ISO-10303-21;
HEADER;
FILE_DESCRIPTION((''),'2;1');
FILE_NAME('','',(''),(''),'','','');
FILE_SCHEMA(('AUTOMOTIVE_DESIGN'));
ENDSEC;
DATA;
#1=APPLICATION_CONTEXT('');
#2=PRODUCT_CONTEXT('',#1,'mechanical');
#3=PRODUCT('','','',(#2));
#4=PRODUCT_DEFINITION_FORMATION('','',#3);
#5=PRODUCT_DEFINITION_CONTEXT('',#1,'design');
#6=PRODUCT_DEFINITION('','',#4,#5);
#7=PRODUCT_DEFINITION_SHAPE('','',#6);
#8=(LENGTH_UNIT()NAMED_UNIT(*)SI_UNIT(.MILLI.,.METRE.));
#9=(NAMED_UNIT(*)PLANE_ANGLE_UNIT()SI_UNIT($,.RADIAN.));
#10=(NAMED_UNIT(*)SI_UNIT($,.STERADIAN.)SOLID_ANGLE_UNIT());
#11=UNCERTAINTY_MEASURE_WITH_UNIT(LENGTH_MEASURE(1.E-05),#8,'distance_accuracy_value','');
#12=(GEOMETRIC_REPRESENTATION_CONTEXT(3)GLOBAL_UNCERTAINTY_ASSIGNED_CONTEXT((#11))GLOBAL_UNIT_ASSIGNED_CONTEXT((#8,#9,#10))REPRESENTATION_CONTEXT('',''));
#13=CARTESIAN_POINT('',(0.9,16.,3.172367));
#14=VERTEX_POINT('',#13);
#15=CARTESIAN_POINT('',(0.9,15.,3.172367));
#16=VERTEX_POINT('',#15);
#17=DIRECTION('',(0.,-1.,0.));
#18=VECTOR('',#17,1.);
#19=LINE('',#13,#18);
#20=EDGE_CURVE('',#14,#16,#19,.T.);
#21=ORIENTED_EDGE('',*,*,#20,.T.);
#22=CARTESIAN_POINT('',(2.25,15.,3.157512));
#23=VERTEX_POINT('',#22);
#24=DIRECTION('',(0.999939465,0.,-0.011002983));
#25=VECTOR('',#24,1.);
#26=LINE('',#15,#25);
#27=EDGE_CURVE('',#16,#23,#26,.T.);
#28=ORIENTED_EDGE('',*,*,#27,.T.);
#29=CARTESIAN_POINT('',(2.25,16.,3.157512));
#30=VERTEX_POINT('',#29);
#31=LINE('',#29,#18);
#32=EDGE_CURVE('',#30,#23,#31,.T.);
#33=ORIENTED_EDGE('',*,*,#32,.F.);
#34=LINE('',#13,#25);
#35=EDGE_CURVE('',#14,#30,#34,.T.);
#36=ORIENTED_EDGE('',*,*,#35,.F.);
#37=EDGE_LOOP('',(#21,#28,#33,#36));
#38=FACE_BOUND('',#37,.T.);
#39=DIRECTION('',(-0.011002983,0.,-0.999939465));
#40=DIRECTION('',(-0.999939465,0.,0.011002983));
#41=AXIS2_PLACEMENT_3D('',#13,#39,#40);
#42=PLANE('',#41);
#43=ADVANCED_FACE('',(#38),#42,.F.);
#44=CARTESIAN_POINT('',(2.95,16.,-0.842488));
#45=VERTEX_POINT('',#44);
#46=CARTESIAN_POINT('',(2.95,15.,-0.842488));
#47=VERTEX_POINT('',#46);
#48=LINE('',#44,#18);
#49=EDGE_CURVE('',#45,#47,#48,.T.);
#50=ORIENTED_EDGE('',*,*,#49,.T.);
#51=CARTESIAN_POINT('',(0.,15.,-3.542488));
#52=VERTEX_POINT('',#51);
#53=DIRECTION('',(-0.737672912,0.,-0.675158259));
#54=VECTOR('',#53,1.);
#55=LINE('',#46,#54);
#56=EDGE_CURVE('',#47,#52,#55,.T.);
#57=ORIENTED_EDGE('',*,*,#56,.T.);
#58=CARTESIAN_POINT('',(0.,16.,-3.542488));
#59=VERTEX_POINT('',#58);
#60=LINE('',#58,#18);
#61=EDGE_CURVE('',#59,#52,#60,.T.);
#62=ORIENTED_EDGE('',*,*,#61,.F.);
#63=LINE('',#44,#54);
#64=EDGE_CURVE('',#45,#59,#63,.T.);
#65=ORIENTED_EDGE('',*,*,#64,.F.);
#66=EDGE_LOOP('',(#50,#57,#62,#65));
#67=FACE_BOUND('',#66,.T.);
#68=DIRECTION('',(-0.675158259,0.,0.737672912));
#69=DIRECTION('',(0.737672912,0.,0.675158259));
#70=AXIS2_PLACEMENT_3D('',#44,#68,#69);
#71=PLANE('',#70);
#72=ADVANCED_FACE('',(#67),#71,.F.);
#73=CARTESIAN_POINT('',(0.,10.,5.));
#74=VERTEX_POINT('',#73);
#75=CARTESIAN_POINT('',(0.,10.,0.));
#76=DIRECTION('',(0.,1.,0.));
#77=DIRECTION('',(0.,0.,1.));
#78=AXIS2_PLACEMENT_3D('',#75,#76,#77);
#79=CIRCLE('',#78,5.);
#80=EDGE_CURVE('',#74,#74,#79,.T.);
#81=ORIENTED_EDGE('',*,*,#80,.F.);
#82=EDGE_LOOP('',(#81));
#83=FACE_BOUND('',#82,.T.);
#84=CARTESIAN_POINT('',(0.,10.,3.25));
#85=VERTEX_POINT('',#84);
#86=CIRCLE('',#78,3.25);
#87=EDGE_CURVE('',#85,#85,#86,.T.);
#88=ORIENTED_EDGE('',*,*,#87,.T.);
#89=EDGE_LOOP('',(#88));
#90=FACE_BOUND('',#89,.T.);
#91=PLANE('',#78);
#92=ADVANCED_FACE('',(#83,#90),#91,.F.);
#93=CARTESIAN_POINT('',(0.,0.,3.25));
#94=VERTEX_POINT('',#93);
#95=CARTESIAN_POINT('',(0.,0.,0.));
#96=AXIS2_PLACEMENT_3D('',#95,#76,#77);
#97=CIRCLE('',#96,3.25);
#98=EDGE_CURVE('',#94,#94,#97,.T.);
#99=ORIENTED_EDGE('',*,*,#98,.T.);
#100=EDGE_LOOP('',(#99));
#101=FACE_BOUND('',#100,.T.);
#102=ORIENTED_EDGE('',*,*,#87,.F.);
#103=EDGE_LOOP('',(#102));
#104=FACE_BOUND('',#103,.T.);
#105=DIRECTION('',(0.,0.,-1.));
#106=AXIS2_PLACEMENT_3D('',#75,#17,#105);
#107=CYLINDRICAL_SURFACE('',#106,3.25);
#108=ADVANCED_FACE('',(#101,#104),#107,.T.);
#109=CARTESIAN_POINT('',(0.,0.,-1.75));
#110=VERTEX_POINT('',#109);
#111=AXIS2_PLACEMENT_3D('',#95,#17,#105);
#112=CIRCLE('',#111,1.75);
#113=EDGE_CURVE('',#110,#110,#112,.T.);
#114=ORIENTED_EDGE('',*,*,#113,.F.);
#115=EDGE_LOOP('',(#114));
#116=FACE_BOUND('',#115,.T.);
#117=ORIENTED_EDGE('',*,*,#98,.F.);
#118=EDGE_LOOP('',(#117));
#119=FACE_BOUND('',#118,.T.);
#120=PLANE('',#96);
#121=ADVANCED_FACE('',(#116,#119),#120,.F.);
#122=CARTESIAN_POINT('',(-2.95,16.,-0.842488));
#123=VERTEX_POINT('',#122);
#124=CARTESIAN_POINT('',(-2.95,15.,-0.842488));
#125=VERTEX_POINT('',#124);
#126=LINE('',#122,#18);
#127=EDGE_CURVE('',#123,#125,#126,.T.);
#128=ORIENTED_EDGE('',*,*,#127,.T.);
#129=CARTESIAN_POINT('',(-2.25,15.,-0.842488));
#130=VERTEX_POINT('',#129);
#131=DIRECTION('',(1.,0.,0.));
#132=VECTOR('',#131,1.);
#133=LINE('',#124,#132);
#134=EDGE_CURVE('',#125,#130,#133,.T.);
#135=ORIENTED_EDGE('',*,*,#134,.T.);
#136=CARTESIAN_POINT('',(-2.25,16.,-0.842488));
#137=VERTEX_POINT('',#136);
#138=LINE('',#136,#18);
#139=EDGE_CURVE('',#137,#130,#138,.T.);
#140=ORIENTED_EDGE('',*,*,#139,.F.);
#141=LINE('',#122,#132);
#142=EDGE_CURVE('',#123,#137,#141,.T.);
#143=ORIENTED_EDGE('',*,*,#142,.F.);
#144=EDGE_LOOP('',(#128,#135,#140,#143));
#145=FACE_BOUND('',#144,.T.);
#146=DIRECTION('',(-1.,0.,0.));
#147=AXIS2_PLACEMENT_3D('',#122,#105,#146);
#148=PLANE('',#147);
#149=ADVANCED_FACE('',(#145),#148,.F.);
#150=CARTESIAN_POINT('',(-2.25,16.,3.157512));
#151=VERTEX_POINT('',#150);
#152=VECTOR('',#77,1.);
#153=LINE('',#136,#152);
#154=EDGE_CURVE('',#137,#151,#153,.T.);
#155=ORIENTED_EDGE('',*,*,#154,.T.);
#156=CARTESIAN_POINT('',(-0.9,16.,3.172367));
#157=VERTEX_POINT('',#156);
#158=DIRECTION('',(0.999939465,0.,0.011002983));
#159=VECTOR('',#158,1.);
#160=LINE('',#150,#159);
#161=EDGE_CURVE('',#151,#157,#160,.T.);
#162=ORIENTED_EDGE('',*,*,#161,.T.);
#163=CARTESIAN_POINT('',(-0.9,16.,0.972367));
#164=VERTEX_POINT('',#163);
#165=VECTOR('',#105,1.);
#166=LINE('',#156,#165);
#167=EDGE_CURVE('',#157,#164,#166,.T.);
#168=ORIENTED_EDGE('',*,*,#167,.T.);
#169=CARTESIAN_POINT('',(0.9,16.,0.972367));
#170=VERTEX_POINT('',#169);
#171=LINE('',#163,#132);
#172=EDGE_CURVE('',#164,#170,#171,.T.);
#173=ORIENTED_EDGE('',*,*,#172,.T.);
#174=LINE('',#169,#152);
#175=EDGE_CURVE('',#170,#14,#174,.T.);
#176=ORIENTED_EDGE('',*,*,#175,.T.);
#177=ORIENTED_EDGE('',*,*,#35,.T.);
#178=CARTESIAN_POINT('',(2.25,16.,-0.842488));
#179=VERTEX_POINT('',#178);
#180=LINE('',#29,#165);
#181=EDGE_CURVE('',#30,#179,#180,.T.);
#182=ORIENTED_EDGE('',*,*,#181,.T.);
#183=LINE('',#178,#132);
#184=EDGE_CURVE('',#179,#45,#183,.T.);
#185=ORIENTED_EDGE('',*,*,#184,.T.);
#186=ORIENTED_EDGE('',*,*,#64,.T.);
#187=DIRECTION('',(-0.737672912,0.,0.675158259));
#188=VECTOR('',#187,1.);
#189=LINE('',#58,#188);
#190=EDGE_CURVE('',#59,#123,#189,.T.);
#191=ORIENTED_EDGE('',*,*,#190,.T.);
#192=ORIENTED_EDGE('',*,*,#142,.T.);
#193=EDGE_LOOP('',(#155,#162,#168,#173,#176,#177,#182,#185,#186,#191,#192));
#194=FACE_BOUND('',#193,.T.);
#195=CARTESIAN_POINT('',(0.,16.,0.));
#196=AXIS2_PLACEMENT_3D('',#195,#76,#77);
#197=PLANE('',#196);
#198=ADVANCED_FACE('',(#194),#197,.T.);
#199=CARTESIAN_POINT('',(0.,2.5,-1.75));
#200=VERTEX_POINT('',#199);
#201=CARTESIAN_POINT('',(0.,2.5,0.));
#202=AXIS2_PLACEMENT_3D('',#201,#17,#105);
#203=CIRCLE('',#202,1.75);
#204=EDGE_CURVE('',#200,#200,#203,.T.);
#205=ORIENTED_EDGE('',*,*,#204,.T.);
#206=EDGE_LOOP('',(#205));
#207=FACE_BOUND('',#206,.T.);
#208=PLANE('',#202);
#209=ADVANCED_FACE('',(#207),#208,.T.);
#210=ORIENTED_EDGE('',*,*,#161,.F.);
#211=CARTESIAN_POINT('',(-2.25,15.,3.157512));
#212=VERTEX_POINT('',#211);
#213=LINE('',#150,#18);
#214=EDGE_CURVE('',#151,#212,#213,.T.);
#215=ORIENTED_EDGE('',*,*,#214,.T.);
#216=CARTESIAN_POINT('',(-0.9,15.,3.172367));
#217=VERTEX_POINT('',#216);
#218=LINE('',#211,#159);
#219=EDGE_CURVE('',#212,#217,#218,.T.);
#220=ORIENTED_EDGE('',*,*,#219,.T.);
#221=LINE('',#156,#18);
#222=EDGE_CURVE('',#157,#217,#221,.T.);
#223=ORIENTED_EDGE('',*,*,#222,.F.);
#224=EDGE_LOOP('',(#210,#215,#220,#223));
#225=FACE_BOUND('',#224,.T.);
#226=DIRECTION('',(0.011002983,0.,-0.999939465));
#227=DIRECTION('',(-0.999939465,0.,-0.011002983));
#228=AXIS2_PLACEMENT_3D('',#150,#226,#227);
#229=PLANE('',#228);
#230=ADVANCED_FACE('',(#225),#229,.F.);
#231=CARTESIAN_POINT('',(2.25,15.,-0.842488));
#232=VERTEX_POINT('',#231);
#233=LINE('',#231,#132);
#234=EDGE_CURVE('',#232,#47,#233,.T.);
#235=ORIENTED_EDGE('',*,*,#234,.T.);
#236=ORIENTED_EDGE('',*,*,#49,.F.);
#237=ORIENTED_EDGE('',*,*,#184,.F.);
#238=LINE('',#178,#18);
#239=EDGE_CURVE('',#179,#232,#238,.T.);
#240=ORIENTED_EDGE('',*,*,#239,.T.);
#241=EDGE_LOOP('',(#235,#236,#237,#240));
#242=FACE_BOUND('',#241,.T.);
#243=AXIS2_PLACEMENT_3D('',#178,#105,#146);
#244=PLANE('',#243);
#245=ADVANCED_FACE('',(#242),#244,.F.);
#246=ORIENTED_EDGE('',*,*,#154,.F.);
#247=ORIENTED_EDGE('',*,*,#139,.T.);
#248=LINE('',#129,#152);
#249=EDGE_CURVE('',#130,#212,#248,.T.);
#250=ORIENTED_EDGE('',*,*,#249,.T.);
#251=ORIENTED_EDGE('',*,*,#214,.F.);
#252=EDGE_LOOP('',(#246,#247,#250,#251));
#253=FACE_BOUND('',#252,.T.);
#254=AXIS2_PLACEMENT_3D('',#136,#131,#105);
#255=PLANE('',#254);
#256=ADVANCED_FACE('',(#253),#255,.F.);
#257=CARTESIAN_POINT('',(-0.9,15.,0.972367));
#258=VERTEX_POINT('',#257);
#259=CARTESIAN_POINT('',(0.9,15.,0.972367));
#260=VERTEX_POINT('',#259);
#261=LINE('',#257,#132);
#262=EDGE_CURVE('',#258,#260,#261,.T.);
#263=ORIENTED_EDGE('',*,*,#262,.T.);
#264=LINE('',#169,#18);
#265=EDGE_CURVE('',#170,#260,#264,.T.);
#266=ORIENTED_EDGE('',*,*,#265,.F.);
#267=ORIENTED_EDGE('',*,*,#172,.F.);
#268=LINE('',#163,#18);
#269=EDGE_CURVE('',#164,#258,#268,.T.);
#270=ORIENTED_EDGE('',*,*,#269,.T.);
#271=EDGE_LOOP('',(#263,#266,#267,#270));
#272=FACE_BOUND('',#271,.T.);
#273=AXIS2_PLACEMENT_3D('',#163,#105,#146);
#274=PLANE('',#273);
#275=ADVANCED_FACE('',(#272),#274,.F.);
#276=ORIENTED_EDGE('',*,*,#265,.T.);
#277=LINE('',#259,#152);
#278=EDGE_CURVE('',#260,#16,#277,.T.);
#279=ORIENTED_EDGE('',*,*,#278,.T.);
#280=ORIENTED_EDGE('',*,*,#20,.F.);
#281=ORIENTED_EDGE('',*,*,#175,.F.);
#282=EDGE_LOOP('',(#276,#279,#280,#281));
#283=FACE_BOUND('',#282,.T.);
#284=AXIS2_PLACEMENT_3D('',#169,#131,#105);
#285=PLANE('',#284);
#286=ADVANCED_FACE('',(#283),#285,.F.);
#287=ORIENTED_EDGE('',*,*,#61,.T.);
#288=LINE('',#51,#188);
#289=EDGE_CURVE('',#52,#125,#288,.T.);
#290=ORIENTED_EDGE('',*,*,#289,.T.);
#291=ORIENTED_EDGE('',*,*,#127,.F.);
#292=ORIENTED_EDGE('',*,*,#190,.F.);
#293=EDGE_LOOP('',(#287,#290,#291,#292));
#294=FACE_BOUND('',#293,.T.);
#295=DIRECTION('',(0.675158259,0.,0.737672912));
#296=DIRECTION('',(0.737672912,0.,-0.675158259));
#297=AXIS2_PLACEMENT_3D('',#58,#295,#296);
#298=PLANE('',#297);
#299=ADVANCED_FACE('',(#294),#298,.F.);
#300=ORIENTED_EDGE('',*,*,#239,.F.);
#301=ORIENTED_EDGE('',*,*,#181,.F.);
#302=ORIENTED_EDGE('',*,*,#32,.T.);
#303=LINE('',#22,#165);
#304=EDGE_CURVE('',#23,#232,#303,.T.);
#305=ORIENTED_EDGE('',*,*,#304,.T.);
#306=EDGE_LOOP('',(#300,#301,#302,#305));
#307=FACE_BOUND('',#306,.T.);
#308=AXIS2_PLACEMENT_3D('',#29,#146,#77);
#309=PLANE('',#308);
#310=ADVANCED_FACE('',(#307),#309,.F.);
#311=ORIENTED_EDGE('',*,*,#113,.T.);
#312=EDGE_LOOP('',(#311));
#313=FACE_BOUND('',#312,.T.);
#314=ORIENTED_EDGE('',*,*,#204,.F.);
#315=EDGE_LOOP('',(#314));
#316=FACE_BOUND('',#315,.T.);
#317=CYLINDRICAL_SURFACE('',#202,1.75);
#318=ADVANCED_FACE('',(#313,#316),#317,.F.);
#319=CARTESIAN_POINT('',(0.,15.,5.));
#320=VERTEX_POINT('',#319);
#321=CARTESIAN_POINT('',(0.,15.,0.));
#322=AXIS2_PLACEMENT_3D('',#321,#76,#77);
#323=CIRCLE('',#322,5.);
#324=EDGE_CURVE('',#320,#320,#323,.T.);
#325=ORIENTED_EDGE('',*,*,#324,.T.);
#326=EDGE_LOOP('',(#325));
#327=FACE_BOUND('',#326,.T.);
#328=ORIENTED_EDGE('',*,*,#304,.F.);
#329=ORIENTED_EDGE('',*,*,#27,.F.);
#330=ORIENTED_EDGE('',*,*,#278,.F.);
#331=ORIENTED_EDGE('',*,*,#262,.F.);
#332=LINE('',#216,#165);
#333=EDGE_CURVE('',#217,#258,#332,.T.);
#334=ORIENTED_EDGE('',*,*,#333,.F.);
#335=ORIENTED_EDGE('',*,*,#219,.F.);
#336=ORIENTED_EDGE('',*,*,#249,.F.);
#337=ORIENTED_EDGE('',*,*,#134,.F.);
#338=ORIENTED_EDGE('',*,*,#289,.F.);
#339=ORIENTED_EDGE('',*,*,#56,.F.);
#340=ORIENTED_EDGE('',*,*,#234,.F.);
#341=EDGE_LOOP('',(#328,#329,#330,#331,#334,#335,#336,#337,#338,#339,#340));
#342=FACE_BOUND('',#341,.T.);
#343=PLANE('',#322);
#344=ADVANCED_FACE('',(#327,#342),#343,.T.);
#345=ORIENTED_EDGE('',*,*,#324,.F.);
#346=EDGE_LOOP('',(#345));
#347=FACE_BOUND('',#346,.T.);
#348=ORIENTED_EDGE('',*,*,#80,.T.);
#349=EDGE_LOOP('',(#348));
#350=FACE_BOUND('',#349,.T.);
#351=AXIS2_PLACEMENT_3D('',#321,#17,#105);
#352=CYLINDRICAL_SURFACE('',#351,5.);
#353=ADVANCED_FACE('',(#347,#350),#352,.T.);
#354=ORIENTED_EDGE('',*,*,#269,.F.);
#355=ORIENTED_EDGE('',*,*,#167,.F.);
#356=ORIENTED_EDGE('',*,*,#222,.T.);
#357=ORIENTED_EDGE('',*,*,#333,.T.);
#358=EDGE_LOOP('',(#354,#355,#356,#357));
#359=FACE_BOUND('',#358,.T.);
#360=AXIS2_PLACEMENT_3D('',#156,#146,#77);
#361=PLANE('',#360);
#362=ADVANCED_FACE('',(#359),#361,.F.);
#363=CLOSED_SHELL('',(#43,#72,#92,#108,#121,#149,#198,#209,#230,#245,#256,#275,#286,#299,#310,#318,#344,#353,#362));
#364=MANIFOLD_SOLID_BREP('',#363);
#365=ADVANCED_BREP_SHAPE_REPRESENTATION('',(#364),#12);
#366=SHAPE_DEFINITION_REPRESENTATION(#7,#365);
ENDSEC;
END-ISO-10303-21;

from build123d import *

# Parameters (mm, degrees)
SKETCH1_R           = 3.25
BOSS_EXTRUDE1_DEPTH = 10
SKETCH2_R           = 1.75
CUT_EXTRUDE1_DEPTH  = 2.5
SKETCH6_R           = 5
BOSS_EXTRUDE2_DEPTH = 5
BOSS_EXTRUDE3_DEPTH = 1


with BuildPart() as part:
    # Sketch1 → Boss-Extrude1 (new body)
    with BuildSketch(Plane(origin=(0, 0, 0), x_dir=(1, 0, 0), z_dir=(0, 1, 0))):
        Circle(SKETCH1_R)
    extrude(amount=BOSS_EXTRUDE1_DEPTH)

    # Sketch2 → Cut-Extrude1 (cut)
    with BuildSketch(Plane.XZ):
        Circle(SKETCH2_R)
    extrude(amount=-CUT_EXTRUDE1_DEPTH, mode=Mode.SUBTRACT)

    # Sketch6 → Boss-Extrude2 (add)
    with BuildSketch(Plane(origin=(0, 10, 0), x_dir=(1, 0, 0), z_dir=(0, 1, 0))):
        Circle(SKETCH6_R)
    extrude(amount=BOSS_EXTRUDE2_DEPTH)

    # Sketch12 → Boss-Extrude3 (add)
    with BuildSketch(Plane(origin=(0, 15, 0), x_dir=(1, 0, 0), z_dir=(0, 1, 0))):
        Polygon((0, 3.542487974), (-2.95, 0.842487974), (-2.25, 0.842487974), (-2.25, -3.157512026), (-0.9, -3.172366953), (-0.9, -0.972366953), (0.9, -0.972366953), (0.9, -3.172366953), (2.25, -3.157512026), (2.25, 0.842487974), (2.95, 0.842487974), align=None)
    extrude(amount=BOSS_EXTRUDE3_DEPTH)


solid = part.part
